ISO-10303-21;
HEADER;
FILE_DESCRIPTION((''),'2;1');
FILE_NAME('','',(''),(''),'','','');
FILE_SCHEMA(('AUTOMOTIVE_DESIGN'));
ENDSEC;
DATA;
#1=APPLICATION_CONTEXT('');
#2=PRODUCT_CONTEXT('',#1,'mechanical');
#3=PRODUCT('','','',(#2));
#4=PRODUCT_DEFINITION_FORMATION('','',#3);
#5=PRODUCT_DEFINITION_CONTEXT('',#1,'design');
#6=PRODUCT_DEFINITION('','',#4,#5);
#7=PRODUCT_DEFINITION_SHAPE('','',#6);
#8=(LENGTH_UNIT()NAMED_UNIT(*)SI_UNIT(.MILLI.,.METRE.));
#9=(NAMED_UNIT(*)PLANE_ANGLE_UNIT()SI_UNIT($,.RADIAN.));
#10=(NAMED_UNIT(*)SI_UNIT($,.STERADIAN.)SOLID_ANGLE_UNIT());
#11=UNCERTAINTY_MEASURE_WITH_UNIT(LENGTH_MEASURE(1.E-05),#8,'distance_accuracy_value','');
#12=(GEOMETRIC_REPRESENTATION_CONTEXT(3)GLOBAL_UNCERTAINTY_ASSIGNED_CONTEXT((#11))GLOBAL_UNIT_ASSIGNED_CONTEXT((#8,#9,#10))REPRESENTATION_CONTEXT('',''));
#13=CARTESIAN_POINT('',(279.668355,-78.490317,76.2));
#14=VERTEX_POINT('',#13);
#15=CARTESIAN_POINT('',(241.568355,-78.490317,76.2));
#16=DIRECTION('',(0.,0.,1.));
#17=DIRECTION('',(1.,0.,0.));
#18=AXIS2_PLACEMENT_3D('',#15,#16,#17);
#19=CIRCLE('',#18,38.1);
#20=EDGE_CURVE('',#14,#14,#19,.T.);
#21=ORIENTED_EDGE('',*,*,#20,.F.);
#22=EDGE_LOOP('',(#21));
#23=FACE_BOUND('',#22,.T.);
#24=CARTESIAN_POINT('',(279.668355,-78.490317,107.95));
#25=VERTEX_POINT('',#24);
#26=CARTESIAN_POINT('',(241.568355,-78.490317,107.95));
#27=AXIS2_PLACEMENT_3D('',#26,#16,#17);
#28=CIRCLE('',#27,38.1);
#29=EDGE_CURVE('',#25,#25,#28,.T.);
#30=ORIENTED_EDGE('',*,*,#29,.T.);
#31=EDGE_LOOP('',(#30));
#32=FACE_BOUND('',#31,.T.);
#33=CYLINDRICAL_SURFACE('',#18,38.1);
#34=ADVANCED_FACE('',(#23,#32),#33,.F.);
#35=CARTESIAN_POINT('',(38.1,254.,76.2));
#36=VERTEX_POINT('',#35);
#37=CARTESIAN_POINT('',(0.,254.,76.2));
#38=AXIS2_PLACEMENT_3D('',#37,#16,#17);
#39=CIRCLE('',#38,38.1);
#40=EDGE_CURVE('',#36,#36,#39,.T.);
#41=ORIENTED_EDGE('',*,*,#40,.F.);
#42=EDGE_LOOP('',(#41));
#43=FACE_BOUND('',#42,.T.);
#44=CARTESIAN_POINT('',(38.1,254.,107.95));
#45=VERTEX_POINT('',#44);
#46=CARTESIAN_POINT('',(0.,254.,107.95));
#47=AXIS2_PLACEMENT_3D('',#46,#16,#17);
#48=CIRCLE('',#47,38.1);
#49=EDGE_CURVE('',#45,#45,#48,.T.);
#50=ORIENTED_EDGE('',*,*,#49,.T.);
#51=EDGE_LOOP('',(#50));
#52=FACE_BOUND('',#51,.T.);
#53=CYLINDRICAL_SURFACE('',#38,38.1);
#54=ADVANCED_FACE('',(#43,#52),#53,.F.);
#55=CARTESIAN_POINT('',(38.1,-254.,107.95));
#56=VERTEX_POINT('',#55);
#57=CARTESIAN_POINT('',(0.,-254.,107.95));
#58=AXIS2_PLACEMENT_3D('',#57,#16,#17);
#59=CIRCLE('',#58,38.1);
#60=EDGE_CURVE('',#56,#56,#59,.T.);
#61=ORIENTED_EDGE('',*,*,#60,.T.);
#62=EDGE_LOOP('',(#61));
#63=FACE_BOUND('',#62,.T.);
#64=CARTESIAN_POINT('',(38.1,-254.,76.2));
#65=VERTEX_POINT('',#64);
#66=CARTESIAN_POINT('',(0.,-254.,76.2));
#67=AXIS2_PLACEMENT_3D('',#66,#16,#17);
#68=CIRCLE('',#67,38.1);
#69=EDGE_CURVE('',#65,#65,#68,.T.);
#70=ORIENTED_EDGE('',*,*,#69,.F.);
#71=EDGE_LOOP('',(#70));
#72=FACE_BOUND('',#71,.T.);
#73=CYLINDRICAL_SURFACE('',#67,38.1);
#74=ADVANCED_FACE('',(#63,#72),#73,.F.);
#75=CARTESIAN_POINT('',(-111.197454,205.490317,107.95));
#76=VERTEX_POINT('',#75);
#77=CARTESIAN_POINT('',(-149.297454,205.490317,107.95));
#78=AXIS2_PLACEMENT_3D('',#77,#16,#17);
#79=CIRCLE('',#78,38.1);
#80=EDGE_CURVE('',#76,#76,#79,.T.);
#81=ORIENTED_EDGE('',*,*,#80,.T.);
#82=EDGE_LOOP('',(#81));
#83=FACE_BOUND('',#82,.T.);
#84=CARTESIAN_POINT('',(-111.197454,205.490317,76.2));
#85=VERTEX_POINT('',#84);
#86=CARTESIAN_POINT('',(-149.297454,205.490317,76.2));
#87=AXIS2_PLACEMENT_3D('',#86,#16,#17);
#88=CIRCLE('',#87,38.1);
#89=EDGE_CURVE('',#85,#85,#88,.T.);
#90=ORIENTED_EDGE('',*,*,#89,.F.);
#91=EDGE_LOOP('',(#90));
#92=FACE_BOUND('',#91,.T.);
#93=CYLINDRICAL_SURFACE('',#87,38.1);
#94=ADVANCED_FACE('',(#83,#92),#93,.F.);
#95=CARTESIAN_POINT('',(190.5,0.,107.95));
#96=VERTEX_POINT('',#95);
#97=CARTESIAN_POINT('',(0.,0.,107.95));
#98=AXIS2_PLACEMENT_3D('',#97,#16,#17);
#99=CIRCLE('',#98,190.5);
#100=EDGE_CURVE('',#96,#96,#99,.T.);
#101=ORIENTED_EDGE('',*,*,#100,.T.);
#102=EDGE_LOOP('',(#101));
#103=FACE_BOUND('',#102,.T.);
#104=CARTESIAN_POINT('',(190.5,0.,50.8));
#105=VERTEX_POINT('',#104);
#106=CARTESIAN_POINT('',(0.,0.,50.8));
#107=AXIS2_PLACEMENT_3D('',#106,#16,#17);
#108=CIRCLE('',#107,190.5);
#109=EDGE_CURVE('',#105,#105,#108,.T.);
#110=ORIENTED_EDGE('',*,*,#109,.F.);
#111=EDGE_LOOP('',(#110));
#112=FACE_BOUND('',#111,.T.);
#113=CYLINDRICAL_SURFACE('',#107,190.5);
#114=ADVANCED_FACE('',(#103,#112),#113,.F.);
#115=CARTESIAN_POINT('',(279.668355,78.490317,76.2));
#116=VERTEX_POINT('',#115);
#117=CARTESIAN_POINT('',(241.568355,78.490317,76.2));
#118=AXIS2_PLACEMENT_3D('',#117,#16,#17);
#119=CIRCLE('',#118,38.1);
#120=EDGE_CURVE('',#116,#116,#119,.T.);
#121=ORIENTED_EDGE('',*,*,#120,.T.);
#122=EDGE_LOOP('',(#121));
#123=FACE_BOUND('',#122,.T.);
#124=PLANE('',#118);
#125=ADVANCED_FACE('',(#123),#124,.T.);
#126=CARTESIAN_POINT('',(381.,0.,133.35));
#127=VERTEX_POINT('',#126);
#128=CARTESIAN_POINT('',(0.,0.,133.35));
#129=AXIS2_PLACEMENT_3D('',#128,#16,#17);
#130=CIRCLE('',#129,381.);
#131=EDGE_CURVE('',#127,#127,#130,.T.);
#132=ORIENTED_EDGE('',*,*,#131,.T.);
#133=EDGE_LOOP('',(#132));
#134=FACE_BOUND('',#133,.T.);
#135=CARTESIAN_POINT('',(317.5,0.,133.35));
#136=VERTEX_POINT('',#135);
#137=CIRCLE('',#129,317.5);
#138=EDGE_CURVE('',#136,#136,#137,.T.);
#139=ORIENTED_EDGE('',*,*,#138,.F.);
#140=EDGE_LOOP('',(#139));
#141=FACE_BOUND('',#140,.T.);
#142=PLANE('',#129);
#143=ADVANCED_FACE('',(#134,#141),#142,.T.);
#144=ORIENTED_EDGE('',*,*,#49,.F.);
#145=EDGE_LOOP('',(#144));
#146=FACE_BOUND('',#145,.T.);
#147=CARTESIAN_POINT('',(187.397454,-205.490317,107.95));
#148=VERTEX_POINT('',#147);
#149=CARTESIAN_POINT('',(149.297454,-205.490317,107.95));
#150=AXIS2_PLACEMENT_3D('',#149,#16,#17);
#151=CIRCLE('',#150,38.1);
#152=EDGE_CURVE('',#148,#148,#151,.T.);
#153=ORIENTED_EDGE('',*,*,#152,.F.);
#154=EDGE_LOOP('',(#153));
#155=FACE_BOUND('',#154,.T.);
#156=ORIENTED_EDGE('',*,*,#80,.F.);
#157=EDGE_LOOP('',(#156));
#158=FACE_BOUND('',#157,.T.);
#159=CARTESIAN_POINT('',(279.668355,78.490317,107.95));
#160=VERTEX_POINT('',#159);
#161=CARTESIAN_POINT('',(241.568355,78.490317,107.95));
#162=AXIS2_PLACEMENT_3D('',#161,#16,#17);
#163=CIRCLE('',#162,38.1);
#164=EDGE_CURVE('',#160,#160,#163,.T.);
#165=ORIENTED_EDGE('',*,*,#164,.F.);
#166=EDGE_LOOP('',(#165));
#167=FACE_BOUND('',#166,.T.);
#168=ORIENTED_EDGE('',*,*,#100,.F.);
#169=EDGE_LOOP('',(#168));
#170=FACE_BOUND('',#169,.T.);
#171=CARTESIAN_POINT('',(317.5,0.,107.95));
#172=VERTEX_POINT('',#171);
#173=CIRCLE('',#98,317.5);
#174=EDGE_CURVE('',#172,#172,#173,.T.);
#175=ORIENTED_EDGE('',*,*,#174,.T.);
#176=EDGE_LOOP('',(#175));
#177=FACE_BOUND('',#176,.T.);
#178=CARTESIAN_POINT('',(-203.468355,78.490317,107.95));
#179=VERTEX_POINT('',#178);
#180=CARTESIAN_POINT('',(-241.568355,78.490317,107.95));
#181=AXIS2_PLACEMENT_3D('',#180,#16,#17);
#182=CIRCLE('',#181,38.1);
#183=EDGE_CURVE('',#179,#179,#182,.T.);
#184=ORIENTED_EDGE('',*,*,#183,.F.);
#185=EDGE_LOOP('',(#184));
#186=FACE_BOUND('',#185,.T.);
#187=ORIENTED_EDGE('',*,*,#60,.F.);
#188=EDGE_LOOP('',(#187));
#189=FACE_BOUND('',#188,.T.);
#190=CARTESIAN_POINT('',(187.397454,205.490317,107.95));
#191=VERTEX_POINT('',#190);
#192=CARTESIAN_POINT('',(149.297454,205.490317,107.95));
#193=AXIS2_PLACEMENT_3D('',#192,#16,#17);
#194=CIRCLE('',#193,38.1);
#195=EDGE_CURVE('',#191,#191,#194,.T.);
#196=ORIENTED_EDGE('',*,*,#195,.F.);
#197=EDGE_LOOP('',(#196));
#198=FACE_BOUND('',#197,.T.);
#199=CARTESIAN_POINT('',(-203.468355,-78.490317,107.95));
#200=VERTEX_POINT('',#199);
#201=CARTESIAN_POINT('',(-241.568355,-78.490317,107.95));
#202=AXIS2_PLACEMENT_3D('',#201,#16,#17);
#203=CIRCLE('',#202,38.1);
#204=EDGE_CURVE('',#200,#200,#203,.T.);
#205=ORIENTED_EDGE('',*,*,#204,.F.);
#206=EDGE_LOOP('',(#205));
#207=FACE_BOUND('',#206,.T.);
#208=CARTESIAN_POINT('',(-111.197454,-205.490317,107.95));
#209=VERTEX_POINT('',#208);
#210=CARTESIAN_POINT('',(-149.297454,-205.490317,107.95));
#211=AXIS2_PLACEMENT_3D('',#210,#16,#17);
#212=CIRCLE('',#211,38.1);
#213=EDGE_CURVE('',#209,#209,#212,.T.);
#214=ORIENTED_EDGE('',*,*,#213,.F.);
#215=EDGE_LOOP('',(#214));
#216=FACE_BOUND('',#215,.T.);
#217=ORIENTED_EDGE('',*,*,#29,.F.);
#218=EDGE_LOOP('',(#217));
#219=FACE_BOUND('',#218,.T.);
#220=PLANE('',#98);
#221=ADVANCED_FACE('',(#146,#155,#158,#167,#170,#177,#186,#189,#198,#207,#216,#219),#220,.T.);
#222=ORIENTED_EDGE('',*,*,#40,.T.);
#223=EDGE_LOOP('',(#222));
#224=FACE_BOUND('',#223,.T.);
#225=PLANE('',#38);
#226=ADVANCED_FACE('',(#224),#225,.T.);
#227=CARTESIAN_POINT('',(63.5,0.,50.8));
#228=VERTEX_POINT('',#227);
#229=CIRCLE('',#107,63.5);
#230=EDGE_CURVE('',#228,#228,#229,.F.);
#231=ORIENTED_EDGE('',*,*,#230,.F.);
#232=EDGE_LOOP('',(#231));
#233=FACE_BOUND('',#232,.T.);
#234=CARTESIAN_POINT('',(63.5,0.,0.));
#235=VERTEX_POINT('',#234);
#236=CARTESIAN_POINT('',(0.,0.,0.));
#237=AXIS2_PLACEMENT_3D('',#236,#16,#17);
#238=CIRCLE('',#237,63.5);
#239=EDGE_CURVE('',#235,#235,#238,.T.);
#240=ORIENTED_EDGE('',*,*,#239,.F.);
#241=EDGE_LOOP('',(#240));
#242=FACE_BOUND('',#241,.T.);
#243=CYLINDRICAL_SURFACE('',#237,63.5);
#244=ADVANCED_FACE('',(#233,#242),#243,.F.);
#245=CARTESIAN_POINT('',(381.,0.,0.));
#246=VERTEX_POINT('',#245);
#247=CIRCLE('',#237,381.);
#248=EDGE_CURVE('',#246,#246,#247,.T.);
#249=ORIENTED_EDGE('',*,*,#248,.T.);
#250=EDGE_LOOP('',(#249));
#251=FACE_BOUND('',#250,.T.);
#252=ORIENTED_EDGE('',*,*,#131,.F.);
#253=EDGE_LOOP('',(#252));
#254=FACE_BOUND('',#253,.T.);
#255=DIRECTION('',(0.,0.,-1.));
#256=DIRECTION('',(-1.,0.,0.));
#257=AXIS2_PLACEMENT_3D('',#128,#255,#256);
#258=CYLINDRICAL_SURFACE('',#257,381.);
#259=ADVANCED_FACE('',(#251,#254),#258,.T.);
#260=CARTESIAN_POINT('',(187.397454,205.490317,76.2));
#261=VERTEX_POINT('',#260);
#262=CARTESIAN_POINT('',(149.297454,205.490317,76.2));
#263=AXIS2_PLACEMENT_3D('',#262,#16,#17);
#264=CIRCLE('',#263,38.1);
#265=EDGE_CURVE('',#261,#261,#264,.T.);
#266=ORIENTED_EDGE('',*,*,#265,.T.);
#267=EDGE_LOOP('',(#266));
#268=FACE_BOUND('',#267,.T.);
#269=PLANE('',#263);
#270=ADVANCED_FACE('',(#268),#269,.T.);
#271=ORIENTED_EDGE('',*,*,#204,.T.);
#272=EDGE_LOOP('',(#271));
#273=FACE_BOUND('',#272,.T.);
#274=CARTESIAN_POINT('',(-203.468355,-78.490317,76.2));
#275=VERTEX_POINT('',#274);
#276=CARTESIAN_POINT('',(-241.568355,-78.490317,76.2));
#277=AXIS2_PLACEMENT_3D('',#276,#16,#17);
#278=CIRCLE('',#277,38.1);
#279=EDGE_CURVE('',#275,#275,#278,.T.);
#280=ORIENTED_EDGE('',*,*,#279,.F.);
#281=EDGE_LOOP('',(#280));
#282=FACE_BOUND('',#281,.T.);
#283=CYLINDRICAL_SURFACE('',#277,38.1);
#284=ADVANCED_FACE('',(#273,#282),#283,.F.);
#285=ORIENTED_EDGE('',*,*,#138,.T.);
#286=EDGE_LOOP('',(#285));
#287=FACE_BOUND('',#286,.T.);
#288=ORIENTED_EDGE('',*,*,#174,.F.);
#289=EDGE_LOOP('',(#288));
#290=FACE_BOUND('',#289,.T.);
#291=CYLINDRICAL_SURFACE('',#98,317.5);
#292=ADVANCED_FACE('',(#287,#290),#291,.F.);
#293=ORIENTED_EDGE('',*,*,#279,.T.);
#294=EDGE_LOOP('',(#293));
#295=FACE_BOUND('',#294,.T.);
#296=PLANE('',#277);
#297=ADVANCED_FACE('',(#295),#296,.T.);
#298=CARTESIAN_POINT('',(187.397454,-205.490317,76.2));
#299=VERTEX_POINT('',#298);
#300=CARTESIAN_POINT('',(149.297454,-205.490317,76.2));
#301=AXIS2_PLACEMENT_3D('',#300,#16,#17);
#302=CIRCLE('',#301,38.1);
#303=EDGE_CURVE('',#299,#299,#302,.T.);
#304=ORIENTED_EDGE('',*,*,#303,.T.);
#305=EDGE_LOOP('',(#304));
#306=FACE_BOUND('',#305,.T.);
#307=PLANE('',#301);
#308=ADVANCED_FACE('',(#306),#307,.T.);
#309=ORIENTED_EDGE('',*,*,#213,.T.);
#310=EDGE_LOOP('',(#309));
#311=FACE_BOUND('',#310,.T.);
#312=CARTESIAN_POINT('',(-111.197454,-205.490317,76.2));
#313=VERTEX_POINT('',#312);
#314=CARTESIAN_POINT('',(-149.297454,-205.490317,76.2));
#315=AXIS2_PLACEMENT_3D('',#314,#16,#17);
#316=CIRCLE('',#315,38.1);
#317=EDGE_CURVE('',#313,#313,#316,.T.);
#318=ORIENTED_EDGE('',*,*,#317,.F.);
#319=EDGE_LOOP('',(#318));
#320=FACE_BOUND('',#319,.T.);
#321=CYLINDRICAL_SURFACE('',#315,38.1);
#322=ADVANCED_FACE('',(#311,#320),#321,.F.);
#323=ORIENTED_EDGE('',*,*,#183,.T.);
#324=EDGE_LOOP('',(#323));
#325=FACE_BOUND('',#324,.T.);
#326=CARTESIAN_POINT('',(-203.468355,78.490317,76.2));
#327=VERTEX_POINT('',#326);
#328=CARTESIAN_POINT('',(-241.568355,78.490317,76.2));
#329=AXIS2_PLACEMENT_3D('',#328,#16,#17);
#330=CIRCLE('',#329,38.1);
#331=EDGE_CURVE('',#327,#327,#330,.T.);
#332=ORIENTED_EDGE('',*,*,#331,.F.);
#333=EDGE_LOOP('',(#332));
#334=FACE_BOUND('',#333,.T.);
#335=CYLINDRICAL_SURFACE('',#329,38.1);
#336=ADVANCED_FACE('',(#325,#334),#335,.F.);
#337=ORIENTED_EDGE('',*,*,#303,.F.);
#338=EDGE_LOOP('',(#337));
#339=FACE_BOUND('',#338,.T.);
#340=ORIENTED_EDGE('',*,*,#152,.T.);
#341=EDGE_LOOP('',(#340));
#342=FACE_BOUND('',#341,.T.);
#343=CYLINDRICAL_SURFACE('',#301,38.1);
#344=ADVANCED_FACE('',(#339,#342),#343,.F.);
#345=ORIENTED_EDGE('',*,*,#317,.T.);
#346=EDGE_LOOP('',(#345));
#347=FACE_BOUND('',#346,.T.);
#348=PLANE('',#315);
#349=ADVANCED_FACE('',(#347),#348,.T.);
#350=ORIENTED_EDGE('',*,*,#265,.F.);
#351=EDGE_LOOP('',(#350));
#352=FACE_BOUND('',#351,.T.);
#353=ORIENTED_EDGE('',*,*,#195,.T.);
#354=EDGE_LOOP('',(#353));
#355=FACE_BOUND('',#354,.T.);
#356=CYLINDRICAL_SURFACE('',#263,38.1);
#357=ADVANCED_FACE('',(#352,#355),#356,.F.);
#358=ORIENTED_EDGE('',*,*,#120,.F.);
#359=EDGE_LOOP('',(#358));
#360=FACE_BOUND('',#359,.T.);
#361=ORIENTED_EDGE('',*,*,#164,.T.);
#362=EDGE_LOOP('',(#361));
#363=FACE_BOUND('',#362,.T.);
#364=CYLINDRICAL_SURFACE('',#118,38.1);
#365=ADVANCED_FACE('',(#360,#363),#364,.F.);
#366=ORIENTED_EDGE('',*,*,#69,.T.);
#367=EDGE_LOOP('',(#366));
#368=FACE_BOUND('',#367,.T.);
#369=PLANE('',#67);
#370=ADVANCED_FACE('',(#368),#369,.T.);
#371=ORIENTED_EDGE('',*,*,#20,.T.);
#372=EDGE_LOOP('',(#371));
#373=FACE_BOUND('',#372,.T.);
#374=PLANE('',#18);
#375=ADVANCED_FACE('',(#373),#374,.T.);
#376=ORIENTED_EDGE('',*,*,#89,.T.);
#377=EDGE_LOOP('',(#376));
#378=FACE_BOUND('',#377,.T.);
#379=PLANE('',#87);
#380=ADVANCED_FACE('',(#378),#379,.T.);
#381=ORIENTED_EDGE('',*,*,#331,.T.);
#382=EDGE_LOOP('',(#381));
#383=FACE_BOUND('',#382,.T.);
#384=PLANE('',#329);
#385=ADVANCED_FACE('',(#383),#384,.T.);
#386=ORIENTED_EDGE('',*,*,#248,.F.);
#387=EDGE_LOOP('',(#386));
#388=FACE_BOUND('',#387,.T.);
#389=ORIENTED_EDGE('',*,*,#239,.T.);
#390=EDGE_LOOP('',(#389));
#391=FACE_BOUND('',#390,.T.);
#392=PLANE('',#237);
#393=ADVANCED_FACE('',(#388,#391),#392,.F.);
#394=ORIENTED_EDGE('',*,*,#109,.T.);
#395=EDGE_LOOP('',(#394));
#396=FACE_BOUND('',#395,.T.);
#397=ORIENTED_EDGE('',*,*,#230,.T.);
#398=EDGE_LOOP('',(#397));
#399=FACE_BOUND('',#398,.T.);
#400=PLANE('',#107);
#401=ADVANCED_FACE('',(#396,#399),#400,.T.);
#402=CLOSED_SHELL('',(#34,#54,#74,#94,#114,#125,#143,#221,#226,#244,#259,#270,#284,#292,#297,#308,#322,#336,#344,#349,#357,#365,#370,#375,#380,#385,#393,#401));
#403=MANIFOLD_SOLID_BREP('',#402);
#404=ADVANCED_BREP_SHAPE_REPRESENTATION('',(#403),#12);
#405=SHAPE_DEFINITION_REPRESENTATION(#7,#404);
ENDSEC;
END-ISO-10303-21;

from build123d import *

# Parameters (mm, degrees)
SKETCH1_R           = 381
BOSS_EXTRUDE1_DEPTH = 133.35
SKETCH2_R           = 63.5
CUT_EXTRUDE1_DEPTH  = 556.071367033
SKETCH6_R           = 317.5
CUT_EXTRUDE5_DEPTH  = 25.4
SKETCH7_R           = 190.5
CUT_EXTRUDE6_DEPTH  = 82.55
SKETCH8_R           = 38.1
CUT_EXTRUDE8_DEPTH  = 57.15


with BuildPart() as part:
    # Sketch1 → Boss-Extrude1 (new body)
    with BuildSketch(Plane.XY):
        Circle(SKETCH1_R)
    extrude(amount=BOSS_EXTRUDE1_DEPTH)

    # Sketch2 → Cut-Extrude1 (cut, through all)
    with BuildSketch(Plane.XY.offset(133.35)):
        Circle(SKETCH2_R)
    extrude(amount=-CUT_EXTRUDE1_DEPTH, mode=Mode.SUBTRACT)

    # Sketch6 → Cut-Extrude5 (cut)
    with BuildSketch(Plane.XY.offset(133.35)):
        Circle(SKETCH6_R)
    extrude(amount=-CUT_EXTRUDE5_DEPTH, mode=Mode.SUBTRACT)

    # Sketch7 → Cut-Extrude6 (cut)
    with BuildSketch(Plane.XY.offset(133.35)):
        Circle(SKETCH7_R)
    extrude(amount=-CUT_EXTRUDE6_DEPTH, mode=Mode.SUBTRACT)

    # Sketch8 → Cut-Extrude8 (cut)
    with BuildSketch(Plane.XY.offset(133.35)):
        with Locations((0, 254)):
            Circle(SKETCH8_R)
        with Locations((149.297454082, 205.490316571)):
            Circle(SKETCH8_R)
        with Locations((241.568355139, 78.490316571)):
            Circle(SKETCH8_R)
        with Locations((241.568355139, -78.490316571)):
            Circle(SKETCH8_R)
        with Locations((149.297454082, -205.490316571)):
            Circle(SKETCH8_R)
        with Locations((0, -254)):
            Circle(SKETCH8_R)
        with Locations((-149.297454082, -205.490316571)):
            Circle(SKETCH8_R)
        with Locations((-241.568355139, -78.490316571)):
            Circle(SKETCH8_R)
        with Locations((-241.568355139, 78.490316571)):
            Circle(SKETCH8_R)
        with Locations((-149.297454082, 205.490316571)):
            Circle(SKETCH8_R)
    extrude(amount=-CUT_EXTRUDE8_DEPTH, mode=Mode.SUBTRACT)


solid = part.part
